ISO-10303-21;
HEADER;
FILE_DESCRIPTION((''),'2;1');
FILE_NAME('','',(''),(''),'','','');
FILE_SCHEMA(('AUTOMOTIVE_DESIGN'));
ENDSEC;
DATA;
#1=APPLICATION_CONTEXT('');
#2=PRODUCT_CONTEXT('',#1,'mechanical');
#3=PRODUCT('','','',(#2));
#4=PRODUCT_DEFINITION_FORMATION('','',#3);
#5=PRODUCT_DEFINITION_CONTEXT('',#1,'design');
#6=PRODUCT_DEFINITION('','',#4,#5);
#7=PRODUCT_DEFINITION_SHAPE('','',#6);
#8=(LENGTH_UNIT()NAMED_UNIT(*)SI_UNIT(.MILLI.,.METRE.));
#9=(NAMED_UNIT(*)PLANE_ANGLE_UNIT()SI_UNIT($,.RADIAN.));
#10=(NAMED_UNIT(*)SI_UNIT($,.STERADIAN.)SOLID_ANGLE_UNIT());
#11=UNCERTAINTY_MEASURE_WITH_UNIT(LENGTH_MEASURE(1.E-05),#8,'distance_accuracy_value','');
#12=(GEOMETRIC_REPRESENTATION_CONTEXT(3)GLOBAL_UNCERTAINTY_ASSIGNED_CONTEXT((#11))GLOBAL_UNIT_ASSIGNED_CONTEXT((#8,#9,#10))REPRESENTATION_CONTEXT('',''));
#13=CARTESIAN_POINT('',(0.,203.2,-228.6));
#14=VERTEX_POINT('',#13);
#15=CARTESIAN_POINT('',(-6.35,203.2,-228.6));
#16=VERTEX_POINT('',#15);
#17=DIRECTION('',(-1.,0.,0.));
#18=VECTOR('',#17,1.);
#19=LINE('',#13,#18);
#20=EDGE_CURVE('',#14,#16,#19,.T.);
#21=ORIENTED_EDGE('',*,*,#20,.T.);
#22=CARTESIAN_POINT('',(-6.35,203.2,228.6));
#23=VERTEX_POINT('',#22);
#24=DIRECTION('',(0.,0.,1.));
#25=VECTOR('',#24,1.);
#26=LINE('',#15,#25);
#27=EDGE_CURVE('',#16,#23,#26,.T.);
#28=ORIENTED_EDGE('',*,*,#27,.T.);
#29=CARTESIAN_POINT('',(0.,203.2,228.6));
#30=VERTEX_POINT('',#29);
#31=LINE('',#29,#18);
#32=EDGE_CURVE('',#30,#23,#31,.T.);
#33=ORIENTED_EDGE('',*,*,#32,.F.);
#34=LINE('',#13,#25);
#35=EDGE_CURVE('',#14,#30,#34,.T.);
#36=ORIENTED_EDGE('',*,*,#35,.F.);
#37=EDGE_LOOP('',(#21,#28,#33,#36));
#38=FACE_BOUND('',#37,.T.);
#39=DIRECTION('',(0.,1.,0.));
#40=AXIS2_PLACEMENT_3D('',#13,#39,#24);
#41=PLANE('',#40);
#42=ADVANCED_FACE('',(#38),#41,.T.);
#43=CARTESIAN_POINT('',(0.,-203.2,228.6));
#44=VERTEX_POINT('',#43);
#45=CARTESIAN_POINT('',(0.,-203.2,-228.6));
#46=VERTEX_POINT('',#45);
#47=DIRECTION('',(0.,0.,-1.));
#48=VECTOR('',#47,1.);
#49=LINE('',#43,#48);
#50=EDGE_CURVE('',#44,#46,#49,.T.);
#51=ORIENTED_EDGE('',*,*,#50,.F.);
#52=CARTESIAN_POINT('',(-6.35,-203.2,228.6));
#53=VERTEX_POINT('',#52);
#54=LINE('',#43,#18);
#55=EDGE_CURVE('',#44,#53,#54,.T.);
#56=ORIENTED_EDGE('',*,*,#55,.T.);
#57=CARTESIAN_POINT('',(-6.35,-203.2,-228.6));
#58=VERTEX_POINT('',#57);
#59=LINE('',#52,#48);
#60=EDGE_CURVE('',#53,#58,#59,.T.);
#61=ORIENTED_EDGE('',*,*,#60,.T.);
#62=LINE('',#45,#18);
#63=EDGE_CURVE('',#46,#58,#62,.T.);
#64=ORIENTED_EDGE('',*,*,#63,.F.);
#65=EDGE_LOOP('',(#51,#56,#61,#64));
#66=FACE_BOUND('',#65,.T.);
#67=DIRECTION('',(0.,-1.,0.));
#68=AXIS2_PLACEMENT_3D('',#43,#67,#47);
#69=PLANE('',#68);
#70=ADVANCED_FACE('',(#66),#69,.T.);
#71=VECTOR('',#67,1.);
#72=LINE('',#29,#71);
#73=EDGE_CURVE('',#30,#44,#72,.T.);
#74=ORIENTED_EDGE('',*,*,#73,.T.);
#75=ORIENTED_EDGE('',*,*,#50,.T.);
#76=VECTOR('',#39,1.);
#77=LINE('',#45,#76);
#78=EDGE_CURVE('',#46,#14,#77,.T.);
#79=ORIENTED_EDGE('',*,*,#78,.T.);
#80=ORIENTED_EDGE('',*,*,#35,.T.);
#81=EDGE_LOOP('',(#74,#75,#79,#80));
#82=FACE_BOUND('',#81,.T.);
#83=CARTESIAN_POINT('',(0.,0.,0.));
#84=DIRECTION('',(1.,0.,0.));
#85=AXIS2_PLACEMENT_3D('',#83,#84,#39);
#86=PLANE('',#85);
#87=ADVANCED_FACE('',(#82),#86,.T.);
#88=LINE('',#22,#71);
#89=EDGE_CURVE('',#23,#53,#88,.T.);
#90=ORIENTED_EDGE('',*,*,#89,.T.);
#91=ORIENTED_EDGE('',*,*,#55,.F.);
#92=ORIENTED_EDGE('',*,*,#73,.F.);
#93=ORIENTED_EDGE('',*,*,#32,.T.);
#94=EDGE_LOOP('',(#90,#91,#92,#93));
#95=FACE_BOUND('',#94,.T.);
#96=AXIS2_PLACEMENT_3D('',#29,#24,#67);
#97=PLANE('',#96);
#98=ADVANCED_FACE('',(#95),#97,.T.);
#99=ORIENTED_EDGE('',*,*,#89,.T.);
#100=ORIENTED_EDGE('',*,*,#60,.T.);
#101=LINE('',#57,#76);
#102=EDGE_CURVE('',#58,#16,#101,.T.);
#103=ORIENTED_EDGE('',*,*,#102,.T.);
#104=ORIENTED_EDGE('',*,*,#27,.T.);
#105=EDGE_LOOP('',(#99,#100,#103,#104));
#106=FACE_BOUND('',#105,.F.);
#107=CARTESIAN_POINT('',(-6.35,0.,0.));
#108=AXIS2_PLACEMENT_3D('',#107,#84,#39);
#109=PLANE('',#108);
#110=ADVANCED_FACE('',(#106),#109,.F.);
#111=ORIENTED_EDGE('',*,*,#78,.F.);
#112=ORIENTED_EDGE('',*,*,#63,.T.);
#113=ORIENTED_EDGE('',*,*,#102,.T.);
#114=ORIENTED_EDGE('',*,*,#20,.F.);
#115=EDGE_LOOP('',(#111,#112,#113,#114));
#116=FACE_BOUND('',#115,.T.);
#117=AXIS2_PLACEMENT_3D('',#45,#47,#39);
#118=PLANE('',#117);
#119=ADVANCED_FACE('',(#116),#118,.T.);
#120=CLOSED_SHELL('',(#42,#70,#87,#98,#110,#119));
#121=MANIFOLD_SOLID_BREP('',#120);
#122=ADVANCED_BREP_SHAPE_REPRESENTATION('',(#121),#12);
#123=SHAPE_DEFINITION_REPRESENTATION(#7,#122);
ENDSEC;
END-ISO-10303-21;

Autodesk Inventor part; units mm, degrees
ref_plane "YZ Plane" through (0, 0, 0) normal (1, 0, 0) x (0, 1, 0)
ref_plane "XZ Plane" through (0, 0, 0) normal (0, 1, 0) x (-1, 0, 0)
ref_plane "XY Plane" through (0, 0, 0) normal (0, 0, 1) x (1, 0, 0)
sketch "Sketch1" plane through (0, 0, 0) normal (0, 1, 0) x (-1, 0, 0)
  point P0 (0, 0)
sketch "Sketch2" plane through (0, 0, 0) normal (1, 0, 0) x (0, 1, 0)
  line L0 (-203.2, -228.6) -> (203.2, -228.6)
  line L1 (203.2, -228.6) -> (203.2, 228.6)
  line L2 (203.2, 228.6) -> (-203.2, 228.6)
  line L3 (-203.2, 228.6) -> (-203.2, -228.6)
  line L4 (-203.2, -228.6) -> (203.2, 228.6) construction
  line L5 (203.2, -228.6) -> (-203.2, 228.6) construction
  point P0 (0, 0)
  dimension "d0" = 457.2
  dimension "d1" = 406.4
extrude "Extrusion1" add sketch "Sketch2" against normal blind 6.35
properties part number "Side Wall" material "Glass"
